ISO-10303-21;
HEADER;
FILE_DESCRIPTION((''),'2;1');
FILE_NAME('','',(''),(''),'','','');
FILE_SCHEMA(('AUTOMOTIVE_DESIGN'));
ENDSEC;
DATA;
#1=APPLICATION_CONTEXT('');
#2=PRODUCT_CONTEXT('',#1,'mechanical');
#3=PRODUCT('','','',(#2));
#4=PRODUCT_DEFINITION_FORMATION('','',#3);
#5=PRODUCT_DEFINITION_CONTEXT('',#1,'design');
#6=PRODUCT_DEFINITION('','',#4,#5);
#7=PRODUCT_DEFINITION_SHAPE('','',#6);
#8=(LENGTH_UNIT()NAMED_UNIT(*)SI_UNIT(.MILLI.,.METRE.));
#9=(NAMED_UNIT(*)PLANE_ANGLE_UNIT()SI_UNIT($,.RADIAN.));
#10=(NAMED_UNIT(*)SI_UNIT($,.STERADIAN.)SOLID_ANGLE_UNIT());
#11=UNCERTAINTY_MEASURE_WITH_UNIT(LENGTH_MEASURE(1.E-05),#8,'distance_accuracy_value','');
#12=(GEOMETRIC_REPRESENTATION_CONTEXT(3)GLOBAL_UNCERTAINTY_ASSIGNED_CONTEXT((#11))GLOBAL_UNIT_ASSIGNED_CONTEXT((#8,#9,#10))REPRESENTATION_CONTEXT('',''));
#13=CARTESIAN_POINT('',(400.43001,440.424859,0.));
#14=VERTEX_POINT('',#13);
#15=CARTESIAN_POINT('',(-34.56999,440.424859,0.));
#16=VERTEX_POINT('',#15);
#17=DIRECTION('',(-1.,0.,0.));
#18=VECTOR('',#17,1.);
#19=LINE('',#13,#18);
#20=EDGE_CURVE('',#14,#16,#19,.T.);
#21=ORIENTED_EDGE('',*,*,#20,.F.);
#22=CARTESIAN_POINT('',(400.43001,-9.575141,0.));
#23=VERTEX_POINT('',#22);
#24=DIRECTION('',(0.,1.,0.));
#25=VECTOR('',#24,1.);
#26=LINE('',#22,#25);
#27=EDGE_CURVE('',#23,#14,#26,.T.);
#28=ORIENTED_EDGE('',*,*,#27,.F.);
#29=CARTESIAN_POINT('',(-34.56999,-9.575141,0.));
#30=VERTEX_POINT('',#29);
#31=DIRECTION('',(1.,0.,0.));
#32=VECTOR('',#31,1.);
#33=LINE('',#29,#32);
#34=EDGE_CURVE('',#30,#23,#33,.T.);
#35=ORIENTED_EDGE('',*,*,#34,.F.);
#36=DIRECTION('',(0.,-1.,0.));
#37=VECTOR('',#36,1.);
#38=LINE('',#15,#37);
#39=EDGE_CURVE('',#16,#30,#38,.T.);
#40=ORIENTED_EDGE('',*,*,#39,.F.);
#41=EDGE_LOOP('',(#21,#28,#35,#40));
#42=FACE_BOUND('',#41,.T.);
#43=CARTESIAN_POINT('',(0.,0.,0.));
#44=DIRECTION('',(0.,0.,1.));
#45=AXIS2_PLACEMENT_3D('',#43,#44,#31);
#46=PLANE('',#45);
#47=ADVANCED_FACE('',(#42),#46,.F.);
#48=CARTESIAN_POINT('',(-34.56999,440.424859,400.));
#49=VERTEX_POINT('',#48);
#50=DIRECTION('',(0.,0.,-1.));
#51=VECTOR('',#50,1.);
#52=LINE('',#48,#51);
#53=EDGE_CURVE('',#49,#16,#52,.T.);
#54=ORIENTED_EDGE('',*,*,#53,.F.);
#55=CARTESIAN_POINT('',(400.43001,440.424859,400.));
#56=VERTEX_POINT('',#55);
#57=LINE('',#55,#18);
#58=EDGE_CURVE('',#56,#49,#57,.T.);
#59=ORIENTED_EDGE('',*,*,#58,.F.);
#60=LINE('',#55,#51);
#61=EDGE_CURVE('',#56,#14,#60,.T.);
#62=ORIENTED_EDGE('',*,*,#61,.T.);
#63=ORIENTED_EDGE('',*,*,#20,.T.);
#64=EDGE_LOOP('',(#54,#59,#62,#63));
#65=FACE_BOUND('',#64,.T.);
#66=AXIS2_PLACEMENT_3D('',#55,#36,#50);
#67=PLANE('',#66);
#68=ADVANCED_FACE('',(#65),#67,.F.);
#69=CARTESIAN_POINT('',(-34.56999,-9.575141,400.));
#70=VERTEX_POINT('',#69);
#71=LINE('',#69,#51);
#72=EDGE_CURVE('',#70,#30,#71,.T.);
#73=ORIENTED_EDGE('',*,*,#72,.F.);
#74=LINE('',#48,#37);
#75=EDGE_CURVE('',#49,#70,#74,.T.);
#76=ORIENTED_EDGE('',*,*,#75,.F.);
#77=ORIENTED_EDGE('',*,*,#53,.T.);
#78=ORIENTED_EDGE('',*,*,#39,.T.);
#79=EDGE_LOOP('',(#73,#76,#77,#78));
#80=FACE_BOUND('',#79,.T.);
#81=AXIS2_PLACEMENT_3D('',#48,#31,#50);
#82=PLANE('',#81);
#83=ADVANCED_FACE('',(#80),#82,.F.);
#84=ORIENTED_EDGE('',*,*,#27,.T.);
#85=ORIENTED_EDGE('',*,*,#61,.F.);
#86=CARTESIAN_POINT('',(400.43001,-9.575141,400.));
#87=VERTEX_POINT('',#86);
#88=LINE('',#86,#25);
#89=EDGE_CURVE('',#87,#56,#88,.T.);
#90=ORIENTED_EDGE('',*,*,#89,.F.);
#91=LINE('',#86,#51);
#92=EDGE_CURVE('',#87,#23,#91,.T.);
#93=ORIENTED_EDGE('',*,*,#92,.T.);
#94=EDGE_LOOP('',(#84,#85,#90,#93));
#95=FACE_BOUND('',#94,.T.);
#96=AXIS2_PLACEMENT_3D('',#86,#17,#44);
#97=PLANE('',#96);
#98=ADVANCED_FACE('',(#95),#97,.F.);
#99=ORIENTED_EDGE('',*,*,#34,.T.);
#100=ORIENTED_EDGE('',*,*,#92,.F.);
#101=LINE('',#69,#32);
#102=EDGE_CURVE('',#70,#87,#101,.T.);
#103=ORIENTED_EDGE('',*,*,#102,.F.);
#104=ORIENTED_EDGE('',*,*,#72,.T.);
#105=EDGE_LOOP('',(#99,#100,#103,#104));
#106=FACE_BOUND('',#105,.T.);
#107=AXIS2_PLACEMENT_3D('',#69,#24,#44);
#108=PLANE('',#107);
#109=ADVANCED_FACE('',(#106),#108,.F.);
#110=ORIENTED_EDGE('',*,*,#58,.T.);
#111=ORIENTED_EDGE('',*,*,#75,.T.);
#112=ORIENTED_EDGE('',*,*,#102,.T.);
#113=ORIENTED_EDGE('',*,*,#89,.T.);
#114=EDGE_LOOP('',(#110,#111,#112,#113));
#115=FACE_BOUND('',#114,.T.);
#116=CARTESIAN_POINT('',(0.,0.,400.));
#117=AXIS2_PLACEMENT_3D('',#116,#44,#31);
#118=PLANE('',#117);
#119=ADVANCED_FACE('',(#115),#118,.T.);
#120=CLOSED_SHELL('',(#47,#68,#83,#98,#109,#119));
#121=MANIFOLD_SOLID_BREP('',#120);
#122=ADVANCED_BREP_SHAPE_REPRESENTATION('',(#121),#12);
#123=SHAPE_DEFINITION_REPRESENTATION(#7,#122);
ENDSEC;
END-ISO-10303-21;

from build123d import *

# Parameters (mm, degrees)
SKETCH_1_W      = 435
SKETCH_1_H      = 450
EXTRUDE_1_DEPTH = 400


with BuildPart() as part:
    # 草图1 → 凸台-拉伸1 (new body)
    with BuildSketch(Plane.XY):
        with Locations((182.930010332, 215.424858977)):
            Rectangle(SKETCH_1_W, SKETCH_1_H)
    extrude(amount=EXTRUDE_1_DEPTH)


solid = part.part
